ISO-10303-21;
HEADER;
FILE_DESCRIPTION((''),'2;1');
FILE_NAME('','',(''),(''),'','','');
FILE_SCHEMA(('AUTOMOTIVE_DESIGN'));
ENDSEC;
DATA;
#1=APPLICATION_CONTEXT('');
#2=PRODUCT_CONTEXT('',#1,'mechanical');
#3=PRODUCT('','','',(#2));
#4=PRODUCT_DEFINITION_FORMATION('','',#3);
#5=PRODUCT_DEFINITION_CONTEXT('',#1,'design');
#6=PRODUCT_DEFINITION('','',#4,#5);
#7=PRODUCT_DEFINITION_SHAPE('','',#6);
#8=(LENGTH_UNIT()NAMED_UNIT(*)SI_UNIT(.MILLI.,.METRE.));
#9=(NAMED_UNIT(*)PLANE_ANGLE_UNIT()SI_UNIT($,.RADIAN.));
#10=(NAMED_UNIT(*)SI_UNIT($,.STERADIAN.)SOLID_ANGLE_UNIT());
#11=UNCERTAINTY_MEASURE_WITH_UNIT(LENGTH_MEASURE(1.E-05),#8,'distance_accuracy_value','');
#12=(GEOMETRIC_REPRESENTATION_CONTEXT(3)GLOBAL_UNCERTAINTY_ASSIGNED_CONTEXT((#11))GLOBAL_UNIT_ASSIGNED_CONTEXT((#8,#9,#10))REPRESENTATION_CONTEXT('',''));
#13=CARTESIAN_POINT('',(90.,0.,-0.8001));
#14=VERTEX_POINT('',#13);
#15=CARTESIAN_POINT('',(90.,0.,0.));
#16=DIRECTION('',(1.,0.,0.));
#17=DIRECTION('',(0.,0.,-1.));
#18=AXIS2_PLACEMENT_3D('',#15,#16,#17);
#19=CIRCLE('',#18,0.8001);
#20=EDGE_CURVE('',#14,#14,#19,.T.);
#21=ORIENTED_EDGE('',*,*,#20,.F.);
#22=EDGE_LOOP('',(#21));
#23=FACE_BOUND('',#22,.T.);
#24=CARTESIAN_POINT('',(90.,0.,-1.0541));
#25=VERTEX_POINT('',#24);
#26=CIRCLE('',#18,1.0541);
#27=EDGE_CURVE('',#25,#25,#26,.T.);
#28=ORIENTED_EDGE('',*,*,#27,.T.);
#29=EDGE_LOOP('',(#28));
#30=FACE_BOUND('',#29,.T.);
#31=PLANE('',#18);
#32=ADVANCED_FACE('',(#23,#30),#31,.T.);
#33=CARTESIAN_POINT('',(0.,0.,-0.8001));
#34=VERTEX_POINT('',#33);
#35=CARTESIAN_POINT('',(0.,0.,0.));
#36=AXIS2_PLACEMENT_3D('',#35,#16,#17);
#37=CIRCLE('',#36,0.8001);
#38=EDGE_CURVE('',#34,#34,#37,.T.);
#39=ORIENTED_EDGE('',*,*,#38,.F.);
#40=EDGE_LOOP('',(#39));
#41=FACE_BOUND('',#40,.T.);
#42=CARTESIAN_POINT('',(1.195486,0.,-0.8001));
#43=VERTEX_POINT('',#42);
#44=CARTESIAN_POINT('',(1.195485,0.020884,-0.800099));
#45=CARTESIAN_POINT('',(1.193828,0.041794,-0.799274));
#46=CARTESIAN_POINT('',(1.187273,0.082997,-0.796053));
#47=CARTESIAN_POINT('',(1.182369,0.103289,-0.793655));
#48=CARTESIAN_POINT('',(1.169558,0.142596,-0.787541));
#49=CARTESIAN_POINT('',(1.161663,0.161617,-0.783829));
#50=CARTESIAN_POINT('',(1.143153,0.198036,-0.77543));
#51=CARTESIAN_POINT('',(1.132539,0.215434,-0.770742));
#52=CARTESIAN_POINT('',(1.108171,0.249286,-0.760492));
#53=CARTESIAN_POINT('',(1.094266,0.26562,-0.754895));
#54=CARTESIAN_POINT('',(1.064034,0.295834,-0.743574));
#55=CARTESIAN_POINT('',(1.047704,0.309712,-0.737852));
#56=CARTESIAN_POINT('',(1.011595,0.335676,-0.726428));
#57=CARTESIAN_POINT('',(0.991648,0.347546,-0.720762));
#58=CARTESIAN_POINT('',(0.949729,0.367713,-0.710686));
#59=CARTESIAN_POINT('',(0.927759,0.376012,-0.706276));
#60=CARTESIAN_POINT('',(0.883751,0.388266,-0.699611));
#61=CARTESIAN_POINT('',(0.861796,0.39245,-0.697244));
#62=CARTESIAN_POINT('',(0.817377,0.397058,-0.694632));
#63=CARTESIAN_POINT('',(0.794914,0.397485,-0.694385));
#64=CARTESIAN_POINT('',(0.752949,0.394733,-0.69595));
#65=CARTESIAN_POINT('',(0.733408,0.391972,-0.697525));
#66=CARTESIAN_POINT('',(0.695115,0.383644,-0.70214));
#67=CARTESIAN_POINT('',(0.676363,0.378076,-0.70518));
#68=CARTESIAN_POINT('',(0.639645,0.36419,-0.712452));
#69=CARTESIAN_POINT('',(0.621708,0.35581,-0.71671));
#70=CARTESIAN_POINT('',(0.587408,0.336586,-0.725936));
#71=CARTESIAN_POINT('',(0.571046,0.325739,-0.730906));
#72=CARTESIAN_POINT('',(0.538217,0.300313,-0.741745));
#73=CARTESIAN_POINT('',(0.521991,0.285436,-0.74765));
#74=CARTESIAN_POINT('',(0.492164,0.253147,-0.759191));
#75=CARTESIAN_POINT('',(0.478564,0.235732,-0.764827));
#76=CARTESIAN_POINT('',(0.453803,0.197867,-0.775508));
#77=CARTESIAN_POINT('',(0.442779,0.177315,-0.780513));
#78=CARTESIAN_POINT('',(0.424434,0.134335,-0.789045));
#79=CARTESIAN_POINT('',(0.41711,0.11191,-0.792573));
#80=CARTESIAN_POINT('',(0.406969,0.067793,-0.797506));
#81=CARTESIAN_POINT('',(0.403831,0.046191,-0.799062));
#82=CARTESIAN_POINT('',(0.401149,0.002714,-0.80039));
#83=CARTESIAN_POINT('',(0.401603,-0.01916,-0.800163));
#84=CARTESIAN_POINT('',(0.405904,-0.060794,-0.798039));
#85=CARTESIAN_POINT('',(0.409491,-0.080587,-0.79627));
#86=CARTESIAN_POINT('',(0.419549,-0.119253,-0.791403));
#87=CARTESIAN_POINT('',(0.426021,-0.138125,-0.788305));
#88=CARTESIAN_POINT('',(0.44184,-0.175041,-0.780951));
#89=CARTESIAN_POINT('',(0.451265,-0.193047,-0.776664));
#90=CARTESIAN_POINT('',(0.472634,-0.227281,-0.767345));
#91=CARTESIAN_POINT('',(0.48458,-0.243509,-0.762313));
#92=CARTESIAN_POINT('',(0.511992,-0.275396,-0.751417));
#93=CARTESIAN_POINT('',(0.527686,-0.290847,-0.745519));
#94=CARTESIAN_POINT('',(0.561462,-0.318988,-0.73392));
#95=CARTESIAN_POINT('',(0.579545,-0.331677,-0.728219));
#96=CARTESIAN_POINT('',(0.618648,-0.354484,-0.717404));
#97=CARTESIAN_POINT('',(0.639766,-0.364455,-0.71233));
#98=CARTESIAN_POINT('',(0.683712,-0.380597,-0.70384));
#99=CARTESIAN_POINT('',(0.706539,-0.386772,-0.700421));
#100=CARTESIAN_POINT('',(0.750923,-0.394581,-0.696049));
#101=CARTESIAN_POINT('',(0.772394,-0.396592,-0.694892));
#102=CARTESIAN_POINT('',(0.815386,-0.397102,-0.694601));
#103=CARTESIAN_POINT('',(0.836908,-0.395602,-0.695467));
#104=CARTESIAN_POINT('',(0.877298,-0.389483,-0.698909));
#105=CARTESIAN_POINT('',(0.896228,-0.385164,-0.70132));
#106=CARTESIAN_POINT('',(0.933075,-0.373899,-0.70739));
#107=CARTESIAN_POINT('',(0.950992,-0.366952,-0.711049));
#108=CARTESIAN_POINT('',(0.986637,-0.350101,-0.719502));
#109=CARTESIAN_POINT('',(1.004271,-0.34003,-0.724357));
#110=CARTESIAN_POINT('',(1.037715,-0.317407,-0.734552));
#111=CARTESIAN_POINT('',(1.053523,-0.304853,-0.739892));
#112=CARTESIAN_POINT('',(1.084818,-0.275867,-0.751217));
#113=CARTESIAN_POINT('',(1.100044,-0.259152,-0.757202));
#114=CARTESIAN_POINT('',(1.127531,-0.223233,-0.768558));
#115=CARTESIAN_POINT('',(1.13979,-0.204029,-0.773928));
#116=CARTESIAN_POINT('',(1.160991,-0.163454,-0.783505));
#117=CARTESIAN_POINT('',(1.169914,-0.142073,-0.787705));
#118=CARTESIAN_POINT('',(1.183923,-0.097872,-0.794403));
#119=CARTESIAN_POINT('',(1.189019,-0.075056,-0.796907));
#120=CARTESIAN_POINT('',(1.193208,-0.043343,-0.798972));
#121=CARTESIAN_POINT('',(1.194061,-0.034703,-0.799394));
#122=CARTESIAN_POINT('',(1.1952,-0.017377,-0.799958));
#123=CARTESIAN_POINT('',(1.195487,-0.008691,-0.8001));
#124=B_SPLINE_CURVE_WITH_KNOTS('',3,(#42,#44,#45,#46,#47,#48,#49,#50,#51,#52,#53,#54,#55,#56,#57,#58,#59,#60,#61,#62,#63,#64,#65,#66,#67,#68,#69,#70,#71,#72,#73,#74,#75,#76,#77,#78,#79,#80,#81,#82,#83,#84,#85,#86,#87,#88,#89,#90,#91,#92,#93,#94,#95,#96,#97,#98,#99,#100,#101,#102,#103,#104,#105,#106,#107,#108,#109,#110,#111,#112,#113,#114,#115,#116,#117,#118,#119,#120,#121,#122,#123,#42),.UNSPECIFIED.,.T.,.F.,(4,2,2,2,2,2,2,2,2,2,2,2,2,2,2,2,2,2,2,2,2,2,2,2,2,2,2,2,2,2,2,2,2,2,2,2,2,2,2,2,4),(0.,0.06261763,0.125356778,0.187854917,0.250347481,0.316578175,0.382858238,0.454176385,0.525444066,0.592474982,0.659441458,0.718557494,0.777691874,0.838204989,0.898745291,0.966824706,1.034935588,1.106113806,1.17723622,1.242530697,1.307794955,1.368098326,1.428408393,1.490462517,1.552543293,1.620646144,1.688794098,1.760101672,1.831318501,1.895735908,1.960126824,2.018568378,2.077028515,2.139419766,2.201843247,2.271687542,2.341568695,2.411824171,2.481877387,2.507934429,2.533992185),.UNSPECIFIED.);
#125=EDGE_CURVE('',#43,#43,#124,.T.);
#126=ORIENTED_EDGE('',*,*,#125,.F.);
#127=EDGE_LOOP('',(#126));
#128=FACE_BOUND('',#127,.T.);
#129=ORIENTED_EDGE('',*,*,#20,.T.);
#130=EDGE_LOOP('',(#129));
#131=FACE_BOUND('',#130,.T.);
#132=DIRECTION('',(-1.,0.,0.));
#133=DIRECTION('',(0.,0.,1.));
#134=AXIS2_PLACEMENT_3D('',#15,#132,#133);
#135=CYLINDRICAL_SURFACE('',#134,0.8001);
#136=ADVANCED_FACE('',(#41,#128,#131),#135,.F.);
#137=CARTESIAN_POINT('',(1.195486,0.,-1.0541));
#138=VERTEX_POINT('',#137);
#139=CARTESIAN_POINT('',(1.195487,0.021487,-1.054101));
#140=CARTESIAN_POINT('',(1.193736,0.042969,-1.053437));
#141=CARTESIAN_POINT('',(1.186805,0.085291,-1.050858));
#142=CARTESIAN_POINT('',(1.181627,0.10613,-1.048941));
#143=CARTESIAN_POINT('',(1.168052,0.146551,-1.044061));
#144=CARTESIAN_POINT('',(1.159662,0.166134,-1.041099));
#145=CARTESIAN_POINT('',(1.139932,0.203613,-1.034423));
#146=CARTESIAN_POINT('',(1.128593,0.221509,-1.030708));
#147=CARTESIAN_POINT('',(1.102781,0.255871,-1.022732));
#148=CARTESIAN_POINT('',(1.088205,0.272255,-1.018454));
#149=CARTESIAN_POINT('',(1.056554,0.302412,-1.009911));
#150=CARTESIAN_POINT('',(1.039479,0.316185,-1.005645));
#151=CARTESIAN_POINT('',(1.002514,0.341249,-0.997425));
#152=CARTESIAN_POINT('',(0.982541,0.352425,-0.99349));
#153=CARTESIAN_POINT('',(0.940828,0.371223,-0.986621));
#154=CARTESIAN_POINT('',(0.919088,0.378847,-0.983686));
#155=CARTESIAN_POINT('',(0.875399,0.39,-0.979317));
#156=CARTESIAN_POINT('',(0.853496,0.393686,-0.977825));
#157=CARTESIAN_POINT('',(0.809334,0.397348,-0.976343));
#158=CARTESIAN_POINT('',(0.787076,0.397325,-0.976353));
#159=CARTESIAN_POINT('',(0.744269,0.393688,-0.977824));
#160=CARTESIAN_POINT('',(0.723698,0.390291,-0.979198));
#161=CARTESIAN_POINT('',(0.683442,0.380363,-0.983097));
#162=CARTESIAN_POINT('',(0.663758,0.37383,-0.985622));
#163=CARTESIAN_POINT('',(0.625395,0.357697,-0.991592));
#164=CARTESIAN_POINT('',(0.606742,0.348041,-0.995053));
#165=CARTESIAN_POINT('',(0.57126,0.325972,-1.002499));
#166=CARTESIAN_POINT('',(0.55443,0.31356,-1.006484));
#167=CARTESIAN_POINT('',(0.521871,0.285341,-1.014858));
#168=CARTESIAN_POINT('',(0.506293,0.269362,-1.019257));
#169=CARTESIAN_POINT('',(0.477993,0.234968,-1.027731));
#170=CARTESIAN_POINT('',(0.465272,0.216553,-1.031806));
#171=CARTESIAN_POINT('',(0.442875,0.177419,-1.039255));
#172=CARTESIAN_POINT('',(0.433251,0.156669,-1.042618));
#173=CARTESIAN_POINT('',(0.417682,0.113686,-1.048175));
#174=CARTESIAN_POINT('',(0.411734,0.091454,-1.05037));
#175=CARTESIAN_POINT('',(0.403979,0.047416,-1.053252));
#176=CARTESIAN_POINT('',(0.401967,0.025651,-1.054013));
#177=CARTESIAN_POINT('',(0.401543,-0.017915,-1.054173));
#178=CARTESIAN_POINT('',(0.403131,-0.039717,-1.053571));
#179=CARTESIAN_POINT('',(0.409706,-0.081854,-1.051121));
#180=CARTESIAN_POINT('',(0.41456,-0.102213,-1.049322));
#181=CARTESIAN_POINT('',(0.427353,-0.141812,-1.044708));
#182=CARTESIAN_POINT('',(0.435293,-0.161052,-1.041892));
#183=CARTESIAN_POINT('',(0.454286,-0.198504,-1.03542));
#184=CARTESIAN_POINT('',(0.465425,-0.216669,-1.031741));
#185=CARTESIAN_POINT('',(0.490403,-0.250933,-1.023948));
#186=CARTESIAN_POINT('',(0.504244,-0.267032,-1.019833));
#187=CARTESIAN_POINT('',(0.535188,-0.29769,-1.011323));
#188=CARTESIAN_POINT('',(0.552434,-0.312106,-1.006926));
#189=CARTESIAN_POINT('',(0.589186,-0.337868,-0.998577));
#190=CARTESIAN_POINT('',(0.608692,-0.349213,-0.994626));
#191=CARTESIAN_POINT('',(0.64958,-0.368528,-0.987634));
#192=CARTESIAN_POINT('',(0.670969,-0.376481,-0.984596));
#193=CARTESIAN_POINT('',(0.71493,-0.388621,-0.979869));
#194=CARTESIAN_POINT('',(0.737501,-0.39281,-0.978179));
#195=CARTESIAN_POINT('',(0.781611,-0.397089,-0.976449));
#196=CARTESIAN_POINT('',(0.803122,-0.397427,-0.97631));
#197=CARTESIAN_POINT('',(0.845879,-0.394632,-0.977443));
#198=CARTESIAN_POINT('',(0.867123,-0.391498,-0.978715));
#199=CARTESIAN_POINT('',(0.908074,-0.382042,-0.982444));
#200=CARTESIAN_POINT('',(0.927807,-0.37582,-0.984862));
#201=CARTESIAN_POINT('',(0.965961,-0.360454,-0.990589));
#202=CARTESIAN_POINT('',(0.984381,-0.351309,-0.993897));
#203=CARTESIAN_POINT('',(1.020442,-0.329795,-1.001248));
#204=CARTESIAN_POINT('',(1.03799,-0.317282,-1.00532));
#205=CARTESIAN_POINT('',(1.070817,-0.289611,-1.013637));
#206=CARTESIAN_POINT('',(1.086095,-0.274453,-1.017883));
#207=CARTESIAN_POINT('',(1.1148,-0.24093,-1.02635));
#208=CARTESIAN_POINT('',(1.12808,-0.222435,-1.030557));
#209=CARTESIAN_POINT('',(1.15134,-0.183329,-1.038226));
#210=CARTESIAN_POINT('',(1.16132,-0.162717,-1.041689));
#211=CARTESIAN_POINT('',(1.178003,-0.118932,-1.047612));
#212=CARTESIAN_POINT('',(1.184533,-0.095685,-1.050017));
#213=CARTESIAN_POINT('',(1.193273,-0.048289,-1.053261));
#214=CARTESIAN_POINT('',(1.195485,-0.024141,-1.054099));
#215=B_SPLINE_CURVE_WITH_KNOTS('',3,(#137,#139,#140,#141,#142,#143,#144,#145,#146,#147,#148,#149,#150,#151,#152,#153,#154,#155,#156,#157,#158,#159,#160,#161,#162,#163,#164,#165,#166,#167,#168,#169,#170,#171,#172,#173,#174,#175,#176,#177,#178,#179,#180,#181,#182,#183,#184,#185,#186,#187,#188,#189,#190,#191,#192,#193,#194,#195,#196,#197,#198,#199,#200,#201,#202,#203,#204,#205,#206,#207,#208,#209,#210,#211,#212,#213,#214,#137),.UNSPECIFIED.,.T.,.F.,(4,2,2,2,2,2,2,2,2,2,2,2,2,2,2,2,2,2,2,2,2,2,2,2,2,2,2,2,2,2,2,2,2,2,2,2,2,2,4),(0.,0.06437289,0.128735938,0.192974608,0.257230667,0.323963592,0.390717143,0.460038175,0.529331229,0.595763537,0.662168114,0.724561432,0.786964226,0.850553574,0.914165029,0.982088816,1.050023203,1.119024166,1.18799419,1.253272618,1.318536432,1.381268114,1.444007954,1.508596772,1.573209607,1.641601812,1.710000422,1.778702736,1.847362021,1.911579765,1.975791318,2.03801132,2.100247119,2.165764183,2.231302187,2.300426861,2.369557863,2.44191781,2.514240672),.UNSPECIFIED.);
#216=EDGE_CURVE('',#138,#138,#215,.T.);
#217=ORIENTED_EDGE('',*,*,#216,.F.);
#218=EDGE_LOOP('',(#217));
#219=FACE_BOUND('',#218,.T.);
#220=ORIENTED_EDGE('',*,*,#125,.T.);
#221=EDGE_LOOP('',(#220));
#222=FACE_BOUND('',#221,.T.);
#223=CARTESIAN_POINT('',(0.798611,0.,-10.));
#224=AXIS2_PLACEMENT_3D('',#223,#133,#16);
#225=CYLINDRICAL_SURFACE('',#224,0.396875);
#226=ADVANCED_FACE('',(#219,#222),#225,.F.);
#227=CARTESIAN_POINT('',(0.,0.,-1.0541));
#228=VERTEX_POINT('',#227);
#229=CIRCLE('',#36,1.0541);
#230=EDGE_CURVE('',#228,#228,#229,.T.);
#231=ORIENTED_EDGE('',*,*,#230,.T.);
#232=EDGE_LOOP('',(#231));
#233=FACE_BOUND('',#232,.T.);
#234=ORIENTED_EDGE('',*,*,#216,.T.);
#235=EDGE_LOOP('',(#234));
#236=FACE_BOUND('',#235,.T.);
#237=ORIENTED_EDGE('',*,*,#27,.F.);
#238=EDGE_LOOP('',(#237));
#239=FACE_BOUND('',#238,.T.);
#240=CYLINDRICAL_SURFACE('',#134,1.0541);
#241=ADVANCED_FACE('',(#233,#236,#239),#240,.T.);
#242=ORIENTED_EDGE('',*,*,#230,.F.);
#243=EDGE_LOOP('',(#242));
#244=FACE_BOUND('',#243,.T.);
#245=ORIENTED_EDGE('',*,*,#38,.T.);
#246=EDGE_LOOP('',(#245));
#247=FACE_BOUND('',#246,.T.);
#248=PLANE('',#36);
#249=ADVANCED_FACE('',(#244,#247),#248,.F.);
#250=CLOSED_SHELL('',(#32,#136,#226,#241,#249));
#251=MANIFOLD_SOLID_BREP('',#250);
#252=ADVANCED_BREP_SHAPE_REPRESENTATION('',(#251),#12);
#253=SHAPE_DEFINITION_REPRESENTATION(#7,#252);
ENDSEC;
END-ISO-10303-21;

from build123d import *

# Parameters (mm, degrees)
SKETCH1_R           = 1.0541
SKETCH1_R_2         = 0.8001
BOSS_EXTRUDE1_DEPTH = 90
SKETCH3_R           = 0.396875
CUT_EXTRUDE2_DEPTH  = 10


with BuildPart() as part:
    # Sketch1 → Boss-Extrude1 (new body)
    with BuildSketch(Plane(origin=(0, 0, 0), x_dir=(0, 0, -1), z_dir=(1, 0, 0))):
        Circle(SKETCH1_R)
        Circle(SKETCH1_R_2, mode=Mode.SUBTRACT)
    extrude(amount=BOSS_EXTRUDE1_DEPTH)

    # Sketch3 → Cut-Extrude2 (cut)
    with BuildSketch(Plane.XY):
        with Locations((0.798611036, 0)):
            Circle(SKETCH3_R)
    extrude(amount=-CUT_EXTRUDE2_DEPTH, mode=Mode.SUBTRACT)


solid = part.part
